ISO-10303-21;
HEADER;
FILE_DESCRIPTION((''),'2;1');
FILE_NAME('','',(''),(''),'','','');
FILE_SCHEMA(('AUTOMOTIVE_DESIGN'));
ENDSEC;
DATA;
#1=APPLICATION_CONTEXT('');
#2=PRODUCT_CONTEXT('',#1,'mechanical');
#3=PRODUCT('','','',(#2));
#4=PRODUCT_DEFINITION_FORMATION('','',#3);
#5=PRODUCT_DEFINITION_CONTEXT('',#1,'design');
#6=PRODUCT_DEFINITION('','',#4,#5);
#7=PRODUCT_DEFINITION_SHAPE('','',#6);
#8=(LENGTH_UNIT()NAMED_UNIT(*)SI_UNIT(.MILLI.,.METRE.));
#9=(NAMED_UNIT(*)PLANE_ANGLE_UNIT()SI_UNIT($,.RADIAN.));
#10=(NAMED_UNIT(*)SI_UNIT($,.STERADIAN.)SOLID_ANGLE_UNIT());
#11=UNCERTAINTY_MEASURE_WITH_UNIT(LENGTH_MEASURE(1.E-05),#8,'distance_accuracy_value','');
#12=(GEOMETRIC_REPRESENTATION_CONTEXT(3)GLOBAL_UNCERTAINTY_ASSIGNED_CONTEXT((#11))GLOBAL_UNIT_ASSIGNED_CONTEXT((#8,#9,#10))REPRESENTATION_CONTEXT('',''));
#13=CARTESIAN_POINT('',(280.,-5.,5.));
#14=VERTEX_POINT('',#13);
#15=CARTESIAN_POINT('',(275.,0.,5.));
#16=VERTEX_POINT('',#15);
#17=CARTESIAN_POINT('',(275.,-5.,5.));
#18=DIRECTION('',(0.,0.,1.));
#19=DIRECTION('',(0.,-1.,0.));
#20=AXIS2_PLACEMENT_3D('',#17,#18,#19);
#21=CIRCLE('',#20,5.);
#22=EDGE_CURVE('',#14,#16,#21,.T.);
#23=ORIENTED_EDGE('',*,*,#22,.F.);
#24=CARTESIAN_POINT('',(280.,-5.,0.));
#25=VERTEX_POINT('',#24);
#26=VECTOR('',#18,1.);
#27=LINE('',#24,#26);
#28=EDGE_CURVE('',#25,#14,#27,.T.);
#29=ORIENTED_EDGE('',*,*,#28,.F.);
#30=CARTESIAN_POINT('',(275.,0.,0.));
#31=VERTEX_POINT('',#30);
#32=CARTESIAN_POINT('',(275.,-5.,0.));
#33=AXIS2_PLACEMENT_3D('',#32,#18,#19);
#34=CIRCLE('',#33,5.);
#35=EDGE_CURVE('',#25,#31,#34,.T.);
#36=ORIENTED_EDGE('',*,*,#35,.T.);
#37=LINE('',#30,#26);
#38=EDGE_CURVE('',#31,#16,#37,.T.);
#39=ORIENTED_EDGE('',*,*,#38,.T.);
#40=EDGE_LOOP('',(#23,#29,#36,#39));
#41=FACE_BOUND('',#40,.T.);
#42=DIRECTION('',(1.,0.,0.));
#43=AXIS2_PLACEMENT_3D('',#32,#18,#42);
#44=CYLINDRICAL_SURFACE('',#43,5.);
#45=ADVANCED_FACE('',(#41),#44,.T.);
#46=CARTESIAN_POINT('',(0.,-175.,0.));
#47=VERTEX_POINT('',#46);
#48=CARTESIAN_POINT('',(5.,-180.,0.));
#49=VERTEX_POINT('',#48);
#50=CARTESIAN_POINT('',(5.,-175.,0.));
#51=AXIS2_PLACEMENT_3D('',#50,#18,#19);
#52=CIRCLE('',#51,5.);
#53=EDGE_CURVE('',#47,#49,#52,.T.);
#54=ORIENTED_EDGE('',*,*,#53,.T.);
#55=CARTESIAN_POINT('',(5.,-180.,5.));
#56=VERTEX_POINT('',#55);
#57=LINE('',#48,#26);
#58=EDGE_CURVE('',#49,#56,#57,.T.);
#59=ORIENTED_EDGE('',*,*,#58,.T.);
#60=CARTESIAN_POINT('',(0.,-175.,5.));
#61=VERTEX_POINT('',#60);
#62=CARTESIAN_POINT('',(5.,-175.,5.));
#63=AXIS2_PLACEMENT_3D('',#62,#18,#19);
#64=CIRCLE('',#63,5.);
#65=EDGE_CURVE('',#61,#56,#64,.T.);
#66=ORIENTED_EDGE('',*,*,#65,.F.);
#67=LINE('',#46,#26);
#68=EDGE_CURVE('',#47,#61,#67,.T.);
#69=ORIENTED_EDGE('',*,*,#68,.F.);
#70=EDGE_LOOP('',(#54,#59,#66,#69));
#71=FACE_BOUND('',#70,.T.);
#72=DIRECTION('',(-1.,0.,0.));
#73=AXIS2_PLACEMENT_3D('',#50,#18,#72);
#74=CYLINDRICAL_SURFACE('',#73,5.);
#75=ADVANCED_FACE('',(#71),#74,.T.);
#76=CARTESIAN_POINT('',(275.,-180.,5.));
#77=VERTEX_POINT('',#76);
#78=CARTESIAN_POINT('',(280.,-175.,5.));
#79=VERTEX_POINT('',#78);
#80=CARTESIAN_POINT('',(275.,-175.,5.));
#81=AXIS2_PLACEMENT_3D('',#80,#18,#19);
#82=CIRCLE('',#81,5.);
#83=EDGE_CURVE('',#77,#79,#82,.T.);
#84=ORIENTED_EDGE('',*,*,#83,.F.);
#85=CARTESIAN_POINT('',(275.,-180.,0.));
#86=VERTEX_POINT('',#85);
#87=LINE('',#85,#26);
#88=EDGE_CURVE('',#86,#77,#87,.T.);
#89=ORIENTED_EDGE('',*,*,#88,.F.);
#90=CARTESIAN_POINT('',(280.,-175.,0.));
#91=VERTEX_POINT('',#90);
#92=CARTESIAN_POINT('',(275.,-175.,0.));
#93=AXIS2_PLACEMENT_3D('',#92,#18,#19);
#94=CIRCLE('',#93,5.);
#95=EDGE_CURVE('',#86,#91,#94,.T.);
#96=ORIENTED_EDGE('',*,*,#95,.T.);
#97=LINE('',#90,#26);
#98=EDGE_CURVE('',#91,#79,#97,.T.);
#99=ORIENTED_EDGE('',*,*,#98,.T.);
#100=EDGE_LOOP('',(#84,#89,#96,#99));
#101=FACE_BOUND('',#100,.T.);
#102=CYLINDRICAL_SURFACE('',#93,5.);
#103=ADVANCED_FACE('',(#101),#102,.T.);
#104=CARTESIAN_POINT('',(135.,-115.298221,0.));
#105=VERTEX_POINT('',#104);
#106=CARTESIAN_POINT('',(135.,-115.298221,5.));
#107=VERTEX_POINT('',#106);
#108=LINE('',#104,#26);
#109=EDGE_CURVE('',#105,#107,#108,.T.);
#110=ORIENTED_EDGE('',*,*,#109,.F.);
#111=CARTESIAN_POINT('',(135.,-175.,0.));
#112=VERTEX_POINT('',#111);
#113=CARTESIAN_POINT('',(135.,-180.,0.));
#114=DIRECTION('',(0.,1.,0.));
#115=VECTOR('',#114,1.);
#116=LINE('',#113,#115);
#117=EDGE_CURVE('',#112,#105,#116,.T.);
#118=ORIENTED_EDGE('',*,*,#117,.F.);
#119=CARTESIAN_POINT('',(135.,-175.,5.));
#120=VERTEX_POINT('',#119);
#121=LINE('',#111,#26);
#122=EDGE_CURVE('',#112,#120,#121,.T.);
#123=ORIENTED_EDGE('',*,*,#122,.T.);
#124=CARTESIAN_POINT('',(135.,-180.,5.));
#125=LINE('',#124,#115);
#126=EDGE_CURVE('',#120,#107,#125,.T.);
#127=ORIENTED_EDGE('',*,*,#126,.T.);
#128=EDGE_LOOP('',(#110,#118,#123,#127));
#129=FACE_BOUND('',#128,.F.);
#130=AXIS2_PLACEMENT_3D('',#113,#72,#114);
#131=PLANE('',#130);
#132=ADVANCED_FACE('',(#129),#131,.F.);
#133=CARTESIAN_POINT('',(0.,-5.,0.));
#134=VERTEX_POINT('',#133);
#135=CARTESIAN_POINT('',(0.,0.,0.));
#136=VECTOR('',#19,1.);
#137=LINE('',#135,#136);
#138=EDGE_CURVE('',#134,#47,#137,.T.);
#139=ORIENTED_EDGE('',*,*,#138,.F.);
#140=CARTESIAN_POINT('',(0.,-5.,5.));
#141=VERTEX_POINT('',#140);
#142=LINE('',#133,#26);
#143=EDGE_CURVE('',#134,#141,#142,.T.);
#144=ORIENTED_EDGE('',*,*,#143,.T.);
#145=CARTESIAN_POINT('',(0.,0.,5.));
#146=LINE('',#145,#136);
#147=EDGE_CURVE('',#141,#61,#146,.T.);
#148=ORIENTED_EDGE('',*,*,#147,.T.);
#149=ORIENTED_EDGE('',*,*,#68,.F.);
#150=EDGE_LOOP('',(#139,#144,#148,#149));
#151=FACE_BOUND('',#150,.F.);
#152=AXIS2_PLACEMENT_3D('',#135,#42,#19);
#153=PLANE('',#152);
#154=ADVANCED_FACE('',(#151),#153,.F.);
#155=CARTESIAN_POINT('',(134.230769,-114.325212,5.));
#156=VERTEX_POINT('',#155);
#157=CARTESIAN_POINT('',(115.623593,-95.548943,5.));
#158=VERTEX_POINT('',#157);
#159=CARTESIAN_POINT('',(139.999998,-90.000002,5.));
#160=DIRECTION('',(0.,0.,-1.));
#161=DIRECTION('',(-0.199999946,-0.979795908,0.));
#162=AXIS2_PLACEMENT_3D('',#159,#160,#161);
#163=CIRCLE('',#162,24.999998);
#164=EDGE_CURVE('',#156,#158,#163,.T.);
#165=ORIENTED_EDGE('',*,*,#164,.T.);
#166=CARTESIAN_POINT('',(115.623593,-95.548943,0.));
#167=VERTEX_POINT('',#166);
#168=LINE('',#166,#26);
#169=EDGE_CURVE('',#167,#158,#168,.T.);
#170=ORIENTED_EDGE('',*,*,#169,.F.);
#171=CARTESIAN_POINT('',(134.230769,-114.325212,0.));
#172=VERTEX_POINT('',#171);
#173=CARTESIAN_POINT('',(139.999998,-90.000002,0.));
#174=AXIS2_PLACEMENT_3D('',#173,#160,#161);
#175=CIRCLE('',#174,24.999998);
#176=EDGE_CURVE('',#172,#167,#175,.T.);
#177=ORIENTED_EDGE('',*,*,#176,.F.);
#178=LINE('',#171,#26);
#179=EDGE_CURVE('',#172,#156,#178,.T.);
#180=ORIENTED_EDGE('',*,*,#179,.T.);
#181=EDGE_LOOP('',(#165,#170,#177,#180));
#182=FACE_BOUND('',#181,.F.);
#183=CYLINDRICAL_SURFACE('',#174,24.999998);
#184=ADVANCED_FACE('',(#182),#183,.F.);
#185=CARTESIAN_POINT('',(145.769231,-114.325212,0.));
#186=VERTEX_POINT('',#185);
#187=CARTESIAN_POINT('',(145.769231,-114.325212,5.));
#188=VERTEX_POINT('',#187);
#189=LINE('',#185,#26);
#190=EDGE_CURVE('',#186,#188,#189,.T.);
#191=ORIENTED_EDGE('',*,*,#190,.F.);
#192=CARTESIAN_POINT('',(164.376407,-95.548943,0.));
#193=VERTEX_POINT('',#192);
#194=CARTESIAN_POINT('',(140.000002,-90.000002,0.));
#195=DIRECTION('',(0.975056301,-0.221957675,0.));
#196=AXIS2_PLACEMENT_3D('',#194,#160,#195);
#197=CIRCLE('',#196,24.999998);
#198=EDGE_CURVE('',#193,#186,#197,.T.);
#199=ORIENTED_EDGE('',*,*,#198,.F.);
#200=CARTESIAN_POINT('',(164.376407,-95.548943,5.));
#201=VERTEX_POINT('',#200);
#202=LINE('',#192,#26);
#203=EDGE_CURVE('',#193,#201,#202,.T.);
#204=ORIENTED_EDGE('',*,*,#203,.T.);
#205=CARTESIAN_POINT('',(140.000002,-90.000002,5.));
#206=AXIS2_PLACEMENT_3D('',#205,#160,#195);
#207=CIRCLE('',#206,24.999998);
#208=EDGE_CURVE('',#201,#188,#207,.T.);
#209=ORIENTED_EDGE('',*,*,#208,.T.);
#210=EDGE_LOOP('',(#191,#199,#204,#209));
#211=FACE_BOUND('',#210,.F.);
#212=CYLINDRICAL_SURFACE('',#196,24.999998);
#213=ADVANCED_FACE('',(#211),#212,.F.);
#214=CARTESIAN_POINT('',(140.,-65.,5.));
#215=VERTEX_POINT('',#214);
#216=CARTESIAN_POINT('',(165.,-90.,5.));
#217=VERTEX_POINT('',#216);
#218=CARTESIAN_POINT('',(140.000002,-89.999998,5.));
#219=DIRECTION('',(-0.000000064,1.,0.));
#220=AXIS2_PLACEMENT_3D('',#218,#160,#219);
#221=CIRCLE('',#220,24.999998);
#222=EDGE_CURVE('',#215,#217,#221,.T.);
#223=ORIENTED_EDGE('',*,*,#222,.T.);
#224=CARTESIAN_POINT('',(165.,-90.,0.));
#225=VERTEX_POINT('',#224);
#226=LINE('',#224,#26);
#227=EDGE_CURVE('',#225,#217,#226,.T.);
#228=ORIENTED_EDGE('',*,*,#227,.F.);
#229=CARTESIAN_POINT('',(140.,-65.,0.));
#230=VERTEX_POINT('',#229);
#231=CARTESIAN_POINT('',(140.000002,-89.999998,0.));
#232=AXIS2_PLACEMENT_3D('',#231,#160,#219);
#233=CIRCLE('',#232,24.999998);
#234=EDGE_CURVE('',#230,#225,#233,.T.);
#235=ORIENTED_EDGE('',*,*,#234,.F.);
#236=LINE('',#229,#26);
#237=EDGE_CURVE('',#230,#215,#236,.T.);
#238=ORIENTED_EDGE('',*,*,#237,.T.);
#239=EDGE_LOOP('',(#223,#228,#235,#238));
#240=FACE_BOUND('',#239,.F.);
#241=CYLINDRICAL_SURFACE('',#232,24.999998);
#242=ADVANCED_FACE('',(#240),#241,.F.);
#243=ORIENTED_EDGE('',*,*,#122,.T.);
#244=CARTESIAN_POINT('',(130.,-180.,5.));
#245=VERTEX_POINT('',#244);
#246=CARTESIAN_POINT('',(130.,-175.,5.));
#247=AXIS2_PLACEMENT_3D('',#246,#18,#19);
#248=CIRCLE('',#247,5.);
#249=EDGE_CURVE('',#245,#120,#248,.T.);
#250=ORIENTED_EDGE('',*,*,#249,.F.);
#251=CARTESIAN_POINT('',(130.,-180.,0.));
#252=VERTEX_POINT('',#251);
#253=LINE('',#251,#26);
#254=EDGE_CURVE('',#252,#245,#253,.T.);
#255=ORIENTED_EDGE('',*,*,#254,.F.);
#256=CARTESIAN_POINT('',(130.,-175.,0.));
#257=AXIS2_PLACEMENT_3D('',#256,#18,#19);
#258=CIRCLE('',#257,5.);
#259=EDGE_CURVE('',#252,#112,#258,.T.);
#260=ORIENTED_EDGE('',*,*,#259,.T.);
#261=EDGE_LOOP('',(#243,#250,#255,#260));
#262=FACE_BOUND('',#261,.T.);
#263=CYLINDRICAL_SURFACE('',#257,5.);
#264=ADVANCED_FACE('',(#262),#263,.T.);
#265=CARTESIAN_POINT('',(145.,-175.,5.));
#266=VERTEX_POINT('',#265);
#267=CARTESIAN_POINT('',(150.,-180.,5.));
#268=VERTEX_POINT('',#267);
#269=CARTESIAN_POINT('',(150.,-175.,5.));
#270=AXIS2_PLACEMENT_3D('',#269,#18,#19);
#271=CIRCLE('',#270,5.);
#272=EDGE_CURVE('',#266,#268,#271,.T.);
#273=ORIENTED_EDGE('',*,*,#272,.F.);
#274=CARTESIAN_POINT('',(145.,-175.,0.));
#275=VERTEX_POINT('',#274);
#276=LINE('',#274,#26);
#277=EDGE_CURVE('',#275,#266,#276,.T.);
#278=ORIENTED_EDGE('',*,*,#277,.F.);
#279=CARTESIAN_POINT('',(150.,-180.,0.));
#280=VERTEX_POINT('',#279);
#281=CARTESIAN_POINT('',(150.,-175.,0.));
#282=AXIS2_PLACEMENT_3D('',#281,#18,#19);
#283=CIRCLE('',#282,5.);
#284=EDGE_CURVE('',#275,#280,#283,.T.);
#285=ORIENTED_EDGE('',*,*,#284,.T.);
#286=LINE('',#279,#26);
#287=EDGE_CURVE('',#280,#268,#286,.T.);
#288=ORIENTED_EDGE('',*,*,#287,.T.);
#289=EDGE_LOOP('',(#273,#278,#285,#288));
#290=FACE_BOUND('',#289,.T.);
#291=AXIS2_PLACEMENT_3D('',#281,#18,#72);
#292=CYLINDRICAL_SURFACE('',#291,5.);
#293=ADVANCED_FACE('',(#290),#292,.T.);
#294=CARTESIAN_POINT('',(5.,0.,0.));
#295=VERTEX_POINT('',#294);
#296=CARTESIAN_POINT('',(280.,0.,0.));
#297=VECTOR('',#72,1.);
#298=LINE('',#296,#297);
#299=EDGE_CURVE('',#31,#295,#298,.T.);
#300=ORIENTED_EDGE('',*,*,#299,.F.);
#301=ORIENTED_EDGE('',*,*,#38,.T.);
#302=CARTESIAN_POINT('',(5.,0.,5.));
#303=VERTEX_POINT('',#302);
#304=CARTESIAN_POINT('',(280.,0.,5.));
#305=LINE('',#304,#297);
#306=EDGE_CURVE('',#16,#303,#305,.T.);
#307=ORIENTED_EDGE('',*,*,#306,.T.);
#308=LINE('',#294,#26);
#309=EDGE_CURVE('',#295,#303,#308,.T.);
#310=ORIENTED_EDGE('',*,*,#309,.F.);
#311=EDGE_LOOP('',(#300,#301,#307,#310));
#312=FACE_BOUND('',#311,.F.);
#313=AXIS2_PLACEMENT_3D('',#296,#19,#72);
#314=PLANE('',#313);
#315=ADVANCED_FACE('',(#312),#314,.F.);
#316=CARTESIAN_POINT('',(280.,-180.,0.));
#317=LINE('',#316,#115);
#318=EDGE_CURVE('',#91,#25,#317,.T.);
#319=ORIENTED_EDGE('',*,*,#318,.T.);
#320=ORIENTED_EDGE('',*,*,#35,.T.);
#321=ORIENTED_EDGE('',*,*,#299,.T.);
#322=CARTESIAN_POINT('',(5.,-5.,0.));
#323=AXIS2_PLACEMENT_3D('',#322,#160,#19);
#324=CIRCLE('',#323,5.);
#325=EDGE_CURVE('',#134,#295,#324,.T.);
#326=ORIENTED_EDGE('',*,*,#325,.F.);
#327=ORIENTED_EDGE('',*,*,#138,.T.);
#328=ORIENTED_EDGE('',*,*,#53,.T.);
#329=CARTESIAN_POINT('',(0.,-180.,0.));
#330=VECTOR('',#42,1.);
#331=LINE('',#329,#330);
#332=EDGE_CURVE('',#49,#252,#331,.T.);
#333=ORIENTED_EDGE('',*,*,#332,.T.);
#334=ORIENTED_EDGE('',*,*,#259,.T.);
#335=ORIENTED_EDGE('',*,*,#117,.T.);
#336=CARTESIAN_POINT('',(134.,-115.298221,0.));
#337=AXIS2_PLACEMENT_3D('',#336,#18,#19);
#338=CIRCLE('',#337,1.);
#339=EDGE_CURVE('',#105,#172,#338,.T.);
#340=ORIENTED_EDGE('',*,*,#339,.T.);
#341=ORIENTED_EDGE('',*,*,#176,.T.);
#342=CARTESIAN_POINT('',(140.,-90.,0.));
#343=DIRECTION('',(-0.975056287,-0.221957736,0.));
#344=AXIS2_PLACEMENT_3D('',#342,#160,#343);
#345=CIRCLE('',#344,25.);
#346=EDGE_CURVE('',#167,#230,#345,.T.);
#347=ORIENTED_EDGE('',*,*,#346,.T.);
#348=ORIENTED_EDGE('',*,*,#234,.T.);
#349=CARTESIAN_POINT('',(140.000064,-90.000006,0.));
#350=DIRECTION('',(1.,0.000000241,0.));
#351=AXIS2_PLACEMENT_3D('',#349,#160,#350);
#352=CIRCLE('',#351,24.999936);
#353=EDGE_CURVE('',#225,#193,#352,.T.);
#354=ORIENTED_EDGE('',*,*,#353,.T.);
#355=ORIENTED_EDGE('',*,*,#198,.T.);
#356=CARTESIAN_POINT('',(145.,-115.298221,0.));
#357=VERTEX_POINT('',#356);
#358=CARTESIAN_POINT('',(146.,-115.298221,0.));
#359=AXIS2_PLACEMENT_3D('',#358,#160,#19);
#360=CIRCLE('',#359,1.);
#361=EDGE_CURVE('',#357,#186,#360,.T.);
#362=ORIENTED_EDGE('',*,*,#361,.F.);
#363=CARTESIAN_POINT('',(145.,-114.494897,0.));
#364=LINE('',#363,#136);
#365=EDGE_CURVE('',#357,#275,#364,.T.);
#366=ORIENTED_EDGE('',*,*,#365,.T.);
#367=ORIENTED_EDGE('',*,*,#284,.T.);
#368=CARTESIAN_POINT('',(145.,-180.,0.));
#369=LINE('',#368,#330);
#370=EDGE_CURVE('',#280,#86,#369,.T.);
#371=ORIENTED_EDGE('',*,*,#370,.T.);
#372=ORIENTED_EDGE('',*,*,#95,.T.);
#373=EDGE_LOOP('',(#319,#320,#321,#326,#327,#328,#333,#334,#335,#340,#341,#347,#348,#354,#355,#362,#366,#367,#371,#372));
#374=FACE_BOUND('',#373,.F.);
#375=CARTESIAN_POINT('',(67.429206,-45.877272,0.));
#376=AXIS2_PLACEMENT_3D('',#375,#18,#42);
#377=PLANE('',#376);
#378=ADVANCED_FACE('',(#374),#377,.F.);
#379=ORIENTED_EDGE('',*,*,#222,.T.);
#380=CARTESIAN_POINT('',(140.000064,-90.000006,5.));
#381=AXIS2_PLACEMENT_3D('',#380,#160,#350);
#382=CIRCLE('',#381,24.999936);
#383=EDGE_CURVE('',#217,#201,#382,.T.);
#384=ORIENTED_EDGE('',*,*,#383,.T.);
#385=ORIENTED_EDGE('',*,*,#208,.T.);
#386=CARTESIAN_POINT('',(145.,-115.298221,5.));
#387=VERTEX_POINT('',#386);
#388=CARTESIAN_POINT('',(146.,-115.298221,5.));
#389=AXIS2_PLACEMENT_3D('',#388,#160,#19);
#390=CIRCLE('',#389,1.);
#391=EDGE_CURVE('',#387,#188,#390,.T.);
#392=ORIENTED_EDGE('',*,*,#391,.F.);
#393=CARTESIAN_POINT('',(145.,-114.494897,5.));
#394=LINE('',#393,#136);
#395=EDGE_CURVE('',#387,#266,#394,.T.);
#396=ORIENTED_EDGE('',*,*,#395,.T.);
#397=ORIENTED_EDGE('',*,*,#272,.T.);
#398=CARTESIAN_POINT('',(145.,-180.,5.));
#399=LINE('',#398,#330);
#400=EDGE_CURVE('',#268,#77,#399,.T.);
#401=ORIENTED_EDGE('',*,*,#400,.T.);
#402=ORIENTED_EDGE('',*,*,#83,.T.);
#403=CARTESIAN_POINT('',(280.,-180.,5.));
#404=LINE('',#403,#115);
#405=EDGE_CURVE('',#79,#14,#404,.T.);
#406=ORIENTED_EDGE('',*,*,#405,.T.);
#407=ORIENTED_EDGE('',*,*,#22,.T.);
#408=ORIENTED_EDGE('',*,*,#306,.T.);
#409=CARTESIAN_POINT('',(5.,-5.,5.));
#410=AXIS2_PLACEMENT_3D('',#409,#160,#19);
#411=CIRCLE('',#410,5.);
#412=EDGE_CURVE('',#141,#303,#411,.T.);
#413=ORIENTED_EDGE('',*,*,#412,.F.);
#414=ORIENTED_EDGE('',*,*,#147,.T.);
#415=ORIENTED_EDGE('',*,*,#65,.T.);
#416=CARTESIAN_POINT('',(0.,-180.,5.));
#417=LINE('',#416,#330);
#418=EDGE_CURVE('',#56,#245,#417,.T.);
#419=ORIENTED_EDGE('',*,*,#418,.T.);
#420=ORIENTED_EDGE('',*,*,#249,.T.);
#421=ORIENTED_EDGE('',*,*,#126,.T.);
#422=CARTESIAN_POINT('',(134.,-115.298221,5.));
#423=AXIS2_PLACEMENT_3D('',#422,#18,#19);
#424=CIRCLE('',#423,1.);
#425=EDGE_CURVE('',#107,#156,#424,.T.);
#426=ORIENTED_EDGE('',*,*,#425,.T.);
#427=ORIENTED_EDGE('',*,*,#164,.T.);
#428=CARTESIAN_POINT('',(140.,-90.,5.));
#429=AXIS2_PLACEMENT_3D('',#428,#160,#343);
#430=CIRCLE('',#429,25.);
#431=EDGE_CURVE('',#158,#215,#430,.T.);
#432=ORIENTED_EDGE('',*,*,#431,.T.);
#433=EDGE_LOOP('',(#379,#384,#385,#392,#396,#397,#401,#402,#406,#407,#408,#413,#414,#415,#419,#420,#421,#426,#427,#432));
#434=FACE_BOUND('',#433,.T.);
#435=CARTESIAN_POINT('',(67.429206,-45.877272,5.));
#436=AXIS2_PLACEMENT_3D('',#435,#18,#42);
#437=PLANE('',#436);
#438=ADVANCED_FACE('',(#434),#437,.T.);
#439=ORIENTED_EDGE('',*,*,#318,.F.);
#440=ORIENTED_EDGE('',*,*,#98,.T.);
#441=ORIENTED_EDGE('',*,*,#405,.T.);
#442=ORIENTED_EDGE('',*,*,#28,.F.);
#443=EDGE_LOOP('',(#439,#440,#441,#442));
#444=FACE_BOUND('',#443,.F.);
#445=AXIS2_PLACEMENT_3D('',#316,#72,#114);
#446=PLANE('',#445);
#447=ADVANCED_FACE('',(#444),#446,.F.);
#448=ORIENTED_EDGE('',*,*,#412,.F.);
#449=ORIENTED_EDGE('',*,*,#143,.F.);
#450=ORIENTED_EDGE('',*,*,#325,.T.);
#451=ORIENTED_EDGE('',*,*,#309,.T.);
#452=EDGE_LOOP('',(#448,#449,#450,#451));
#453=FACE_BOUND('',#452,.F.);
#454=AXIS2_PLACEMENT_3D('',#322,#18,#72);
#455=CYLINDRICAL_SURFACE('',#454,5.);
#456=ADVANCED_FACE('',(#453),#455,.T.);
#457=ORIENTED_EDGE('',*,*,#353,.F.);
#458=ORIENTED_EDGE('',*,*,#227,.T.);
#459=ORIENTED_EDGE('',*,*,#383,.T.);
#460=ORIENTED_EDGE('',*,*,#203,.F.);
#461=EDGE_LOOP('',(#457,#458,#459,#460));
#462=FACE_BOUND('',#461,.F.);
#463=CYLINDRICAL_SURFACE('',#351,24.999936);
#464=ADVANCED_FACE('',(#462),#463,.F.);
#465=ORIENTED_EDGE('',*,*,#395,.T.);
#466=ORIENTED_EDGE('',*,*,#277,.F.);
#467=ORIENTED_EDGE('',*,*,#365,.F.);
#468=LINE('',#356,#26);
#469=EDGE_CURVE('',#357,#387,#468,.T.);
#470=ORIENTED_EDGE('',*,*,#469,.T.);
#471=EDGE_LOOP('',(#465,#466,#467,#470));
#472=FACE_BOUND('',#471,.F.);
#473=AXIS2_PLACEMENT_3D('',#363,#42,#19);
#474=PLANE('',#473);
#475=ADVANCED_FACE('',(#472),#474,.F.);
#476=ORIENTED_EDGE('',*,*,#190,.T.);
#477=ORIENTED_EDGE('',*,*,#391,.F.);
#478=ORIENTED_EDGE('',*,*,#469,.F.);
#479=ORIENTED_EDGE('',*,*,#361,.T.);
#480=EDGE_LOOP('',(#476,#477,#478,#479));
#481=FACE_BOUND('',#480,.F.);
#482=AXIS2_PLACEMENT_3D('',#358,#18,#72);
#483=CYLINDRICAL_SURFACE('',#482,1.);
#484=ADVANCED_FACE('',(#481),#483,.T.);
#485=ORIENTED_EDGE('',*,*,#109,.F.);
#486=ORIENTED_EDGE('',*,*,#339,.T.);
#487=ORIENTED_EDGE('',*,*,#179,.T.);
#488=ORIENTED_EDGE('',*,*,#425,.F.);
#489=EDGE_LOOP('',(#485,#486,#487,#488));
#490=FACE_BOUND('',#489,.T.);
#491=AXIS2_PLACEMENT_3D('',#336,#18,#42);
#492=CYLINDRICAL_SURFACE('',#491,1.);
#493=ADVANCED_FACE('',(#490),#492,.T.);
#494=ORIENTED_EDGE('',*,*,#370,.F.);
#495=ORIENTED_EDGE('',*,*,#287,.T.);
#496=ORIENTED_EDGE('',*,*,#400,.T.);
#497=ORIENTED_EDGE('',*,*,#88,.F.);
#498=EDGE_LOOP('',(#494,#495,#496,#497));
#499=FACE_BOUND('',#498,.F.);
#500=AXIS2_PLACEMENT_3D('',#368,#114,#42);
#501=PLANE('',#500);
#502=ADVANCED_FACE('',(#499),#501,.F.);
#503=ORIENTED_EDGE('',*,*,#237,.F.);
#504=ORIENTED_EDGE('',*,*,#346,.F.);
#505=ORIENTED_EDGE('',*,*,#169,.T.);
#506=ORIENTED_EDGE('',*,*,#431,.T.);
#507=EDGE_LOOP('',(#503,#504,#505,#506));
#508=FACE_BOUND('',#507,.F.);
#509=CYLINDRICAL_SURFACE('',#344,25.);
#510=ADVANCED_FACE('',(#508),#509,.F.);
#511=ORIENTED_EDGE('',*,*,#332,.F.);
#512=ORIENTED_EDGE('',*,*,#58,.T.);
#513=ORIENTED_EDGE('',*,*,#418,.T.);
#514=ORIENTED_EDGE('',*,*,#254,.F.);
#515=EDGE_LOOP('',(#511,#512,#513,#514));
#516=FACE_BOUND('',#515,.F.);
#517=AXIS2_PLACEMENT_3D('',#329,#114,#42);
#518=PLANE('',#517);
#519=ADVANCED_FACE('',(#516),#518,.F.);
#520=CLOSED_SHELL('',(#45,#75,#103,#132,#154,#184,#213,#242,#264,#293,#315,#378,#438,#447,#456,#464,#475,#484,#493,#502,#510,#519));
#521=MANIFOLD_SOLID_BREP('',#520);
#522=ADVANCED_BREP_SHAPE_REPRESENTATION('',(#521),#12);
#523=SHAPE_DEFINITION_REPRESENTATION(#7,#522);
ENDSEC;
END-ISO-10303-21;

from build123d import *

# Parameters (mm, degrees)
F1_DEPTH = 5
F2_R     = 5
F3_R     = 1


with BuildPart() as f1:
    # F0 (on Top) → F1 (new body)
    with BuildSketch(Plane.XY):
        with BuildLine():
            Line((140, 0), (0, 0))
            Line((0, 0), (0, -95.548943))
            Line((0, -95.548943), (115.623593, -95.548943))
            ThreePointArc((115.623593, -95.548943), (120.458716, -74.40711), (140, -65))
            Line((140, -65), (140, 0))
        make_face()
        with BuildLine():
            Line((280, 0), (140, 0))
            Line((140, 0), (140, -65))
            ThreePointArc((140, -65), (157.67767, -72.32233), (165, -90))
            ThreePointArc((165, -90), (164.843613, -92.791936), (164.376407, -95.548943))
            Line((164.376407, -95.548943), (280, -95.548943))
            Line((280, -95.548943), (280, 0))
        make_face()
        with BuildLine():
            Line((280, -180), (280, -95.548943))
            Line((280, -95.548943), (164.376407, -95.548943))
            ThreePointArc((164.376407, -95.548943), (157.478004, -107.875105), (145, -114.494897))
            Line((145, -114.494897), (145, -180))
            Line((145, -180), (280, -180))
        make_face()
        with BuildLine():
            Line((115.623593, -95.548943), (0, -95.548943))
            Line((0, -95.548943), (0, -180))
            Line((0, -180), (135, -180))
            Line((135, -180), (135, -114.494897))
            ThreePointArc((135, -114.494897), (122.521996, -107.875105), (115.623593, -95.548943))
        make_face()
    extrude(amount=F1_DEPTH)

    # F2
    f2_edges = [f1.edges().sort_by_distance(p)[0] for p in [
        (135, -180, 2.5),
        (145, -180, 2.5),
        (280, -180, 2.5),
        (0, -180, 2.5),
        (280, 0, 2.5),
        (0, 0, 2.5),
    ]]
    fillet(f2_edges, radius=F2_R)

    # F3
    f3_edges = [f1.edges().sort_by_distance(p)[0] for p in [
        (135, -114.494897, 2.5),
        (145, -114.494897, 2.5),
    ]]
    fillet(f3_edges, radius=F3_R)


solid = f1.part
